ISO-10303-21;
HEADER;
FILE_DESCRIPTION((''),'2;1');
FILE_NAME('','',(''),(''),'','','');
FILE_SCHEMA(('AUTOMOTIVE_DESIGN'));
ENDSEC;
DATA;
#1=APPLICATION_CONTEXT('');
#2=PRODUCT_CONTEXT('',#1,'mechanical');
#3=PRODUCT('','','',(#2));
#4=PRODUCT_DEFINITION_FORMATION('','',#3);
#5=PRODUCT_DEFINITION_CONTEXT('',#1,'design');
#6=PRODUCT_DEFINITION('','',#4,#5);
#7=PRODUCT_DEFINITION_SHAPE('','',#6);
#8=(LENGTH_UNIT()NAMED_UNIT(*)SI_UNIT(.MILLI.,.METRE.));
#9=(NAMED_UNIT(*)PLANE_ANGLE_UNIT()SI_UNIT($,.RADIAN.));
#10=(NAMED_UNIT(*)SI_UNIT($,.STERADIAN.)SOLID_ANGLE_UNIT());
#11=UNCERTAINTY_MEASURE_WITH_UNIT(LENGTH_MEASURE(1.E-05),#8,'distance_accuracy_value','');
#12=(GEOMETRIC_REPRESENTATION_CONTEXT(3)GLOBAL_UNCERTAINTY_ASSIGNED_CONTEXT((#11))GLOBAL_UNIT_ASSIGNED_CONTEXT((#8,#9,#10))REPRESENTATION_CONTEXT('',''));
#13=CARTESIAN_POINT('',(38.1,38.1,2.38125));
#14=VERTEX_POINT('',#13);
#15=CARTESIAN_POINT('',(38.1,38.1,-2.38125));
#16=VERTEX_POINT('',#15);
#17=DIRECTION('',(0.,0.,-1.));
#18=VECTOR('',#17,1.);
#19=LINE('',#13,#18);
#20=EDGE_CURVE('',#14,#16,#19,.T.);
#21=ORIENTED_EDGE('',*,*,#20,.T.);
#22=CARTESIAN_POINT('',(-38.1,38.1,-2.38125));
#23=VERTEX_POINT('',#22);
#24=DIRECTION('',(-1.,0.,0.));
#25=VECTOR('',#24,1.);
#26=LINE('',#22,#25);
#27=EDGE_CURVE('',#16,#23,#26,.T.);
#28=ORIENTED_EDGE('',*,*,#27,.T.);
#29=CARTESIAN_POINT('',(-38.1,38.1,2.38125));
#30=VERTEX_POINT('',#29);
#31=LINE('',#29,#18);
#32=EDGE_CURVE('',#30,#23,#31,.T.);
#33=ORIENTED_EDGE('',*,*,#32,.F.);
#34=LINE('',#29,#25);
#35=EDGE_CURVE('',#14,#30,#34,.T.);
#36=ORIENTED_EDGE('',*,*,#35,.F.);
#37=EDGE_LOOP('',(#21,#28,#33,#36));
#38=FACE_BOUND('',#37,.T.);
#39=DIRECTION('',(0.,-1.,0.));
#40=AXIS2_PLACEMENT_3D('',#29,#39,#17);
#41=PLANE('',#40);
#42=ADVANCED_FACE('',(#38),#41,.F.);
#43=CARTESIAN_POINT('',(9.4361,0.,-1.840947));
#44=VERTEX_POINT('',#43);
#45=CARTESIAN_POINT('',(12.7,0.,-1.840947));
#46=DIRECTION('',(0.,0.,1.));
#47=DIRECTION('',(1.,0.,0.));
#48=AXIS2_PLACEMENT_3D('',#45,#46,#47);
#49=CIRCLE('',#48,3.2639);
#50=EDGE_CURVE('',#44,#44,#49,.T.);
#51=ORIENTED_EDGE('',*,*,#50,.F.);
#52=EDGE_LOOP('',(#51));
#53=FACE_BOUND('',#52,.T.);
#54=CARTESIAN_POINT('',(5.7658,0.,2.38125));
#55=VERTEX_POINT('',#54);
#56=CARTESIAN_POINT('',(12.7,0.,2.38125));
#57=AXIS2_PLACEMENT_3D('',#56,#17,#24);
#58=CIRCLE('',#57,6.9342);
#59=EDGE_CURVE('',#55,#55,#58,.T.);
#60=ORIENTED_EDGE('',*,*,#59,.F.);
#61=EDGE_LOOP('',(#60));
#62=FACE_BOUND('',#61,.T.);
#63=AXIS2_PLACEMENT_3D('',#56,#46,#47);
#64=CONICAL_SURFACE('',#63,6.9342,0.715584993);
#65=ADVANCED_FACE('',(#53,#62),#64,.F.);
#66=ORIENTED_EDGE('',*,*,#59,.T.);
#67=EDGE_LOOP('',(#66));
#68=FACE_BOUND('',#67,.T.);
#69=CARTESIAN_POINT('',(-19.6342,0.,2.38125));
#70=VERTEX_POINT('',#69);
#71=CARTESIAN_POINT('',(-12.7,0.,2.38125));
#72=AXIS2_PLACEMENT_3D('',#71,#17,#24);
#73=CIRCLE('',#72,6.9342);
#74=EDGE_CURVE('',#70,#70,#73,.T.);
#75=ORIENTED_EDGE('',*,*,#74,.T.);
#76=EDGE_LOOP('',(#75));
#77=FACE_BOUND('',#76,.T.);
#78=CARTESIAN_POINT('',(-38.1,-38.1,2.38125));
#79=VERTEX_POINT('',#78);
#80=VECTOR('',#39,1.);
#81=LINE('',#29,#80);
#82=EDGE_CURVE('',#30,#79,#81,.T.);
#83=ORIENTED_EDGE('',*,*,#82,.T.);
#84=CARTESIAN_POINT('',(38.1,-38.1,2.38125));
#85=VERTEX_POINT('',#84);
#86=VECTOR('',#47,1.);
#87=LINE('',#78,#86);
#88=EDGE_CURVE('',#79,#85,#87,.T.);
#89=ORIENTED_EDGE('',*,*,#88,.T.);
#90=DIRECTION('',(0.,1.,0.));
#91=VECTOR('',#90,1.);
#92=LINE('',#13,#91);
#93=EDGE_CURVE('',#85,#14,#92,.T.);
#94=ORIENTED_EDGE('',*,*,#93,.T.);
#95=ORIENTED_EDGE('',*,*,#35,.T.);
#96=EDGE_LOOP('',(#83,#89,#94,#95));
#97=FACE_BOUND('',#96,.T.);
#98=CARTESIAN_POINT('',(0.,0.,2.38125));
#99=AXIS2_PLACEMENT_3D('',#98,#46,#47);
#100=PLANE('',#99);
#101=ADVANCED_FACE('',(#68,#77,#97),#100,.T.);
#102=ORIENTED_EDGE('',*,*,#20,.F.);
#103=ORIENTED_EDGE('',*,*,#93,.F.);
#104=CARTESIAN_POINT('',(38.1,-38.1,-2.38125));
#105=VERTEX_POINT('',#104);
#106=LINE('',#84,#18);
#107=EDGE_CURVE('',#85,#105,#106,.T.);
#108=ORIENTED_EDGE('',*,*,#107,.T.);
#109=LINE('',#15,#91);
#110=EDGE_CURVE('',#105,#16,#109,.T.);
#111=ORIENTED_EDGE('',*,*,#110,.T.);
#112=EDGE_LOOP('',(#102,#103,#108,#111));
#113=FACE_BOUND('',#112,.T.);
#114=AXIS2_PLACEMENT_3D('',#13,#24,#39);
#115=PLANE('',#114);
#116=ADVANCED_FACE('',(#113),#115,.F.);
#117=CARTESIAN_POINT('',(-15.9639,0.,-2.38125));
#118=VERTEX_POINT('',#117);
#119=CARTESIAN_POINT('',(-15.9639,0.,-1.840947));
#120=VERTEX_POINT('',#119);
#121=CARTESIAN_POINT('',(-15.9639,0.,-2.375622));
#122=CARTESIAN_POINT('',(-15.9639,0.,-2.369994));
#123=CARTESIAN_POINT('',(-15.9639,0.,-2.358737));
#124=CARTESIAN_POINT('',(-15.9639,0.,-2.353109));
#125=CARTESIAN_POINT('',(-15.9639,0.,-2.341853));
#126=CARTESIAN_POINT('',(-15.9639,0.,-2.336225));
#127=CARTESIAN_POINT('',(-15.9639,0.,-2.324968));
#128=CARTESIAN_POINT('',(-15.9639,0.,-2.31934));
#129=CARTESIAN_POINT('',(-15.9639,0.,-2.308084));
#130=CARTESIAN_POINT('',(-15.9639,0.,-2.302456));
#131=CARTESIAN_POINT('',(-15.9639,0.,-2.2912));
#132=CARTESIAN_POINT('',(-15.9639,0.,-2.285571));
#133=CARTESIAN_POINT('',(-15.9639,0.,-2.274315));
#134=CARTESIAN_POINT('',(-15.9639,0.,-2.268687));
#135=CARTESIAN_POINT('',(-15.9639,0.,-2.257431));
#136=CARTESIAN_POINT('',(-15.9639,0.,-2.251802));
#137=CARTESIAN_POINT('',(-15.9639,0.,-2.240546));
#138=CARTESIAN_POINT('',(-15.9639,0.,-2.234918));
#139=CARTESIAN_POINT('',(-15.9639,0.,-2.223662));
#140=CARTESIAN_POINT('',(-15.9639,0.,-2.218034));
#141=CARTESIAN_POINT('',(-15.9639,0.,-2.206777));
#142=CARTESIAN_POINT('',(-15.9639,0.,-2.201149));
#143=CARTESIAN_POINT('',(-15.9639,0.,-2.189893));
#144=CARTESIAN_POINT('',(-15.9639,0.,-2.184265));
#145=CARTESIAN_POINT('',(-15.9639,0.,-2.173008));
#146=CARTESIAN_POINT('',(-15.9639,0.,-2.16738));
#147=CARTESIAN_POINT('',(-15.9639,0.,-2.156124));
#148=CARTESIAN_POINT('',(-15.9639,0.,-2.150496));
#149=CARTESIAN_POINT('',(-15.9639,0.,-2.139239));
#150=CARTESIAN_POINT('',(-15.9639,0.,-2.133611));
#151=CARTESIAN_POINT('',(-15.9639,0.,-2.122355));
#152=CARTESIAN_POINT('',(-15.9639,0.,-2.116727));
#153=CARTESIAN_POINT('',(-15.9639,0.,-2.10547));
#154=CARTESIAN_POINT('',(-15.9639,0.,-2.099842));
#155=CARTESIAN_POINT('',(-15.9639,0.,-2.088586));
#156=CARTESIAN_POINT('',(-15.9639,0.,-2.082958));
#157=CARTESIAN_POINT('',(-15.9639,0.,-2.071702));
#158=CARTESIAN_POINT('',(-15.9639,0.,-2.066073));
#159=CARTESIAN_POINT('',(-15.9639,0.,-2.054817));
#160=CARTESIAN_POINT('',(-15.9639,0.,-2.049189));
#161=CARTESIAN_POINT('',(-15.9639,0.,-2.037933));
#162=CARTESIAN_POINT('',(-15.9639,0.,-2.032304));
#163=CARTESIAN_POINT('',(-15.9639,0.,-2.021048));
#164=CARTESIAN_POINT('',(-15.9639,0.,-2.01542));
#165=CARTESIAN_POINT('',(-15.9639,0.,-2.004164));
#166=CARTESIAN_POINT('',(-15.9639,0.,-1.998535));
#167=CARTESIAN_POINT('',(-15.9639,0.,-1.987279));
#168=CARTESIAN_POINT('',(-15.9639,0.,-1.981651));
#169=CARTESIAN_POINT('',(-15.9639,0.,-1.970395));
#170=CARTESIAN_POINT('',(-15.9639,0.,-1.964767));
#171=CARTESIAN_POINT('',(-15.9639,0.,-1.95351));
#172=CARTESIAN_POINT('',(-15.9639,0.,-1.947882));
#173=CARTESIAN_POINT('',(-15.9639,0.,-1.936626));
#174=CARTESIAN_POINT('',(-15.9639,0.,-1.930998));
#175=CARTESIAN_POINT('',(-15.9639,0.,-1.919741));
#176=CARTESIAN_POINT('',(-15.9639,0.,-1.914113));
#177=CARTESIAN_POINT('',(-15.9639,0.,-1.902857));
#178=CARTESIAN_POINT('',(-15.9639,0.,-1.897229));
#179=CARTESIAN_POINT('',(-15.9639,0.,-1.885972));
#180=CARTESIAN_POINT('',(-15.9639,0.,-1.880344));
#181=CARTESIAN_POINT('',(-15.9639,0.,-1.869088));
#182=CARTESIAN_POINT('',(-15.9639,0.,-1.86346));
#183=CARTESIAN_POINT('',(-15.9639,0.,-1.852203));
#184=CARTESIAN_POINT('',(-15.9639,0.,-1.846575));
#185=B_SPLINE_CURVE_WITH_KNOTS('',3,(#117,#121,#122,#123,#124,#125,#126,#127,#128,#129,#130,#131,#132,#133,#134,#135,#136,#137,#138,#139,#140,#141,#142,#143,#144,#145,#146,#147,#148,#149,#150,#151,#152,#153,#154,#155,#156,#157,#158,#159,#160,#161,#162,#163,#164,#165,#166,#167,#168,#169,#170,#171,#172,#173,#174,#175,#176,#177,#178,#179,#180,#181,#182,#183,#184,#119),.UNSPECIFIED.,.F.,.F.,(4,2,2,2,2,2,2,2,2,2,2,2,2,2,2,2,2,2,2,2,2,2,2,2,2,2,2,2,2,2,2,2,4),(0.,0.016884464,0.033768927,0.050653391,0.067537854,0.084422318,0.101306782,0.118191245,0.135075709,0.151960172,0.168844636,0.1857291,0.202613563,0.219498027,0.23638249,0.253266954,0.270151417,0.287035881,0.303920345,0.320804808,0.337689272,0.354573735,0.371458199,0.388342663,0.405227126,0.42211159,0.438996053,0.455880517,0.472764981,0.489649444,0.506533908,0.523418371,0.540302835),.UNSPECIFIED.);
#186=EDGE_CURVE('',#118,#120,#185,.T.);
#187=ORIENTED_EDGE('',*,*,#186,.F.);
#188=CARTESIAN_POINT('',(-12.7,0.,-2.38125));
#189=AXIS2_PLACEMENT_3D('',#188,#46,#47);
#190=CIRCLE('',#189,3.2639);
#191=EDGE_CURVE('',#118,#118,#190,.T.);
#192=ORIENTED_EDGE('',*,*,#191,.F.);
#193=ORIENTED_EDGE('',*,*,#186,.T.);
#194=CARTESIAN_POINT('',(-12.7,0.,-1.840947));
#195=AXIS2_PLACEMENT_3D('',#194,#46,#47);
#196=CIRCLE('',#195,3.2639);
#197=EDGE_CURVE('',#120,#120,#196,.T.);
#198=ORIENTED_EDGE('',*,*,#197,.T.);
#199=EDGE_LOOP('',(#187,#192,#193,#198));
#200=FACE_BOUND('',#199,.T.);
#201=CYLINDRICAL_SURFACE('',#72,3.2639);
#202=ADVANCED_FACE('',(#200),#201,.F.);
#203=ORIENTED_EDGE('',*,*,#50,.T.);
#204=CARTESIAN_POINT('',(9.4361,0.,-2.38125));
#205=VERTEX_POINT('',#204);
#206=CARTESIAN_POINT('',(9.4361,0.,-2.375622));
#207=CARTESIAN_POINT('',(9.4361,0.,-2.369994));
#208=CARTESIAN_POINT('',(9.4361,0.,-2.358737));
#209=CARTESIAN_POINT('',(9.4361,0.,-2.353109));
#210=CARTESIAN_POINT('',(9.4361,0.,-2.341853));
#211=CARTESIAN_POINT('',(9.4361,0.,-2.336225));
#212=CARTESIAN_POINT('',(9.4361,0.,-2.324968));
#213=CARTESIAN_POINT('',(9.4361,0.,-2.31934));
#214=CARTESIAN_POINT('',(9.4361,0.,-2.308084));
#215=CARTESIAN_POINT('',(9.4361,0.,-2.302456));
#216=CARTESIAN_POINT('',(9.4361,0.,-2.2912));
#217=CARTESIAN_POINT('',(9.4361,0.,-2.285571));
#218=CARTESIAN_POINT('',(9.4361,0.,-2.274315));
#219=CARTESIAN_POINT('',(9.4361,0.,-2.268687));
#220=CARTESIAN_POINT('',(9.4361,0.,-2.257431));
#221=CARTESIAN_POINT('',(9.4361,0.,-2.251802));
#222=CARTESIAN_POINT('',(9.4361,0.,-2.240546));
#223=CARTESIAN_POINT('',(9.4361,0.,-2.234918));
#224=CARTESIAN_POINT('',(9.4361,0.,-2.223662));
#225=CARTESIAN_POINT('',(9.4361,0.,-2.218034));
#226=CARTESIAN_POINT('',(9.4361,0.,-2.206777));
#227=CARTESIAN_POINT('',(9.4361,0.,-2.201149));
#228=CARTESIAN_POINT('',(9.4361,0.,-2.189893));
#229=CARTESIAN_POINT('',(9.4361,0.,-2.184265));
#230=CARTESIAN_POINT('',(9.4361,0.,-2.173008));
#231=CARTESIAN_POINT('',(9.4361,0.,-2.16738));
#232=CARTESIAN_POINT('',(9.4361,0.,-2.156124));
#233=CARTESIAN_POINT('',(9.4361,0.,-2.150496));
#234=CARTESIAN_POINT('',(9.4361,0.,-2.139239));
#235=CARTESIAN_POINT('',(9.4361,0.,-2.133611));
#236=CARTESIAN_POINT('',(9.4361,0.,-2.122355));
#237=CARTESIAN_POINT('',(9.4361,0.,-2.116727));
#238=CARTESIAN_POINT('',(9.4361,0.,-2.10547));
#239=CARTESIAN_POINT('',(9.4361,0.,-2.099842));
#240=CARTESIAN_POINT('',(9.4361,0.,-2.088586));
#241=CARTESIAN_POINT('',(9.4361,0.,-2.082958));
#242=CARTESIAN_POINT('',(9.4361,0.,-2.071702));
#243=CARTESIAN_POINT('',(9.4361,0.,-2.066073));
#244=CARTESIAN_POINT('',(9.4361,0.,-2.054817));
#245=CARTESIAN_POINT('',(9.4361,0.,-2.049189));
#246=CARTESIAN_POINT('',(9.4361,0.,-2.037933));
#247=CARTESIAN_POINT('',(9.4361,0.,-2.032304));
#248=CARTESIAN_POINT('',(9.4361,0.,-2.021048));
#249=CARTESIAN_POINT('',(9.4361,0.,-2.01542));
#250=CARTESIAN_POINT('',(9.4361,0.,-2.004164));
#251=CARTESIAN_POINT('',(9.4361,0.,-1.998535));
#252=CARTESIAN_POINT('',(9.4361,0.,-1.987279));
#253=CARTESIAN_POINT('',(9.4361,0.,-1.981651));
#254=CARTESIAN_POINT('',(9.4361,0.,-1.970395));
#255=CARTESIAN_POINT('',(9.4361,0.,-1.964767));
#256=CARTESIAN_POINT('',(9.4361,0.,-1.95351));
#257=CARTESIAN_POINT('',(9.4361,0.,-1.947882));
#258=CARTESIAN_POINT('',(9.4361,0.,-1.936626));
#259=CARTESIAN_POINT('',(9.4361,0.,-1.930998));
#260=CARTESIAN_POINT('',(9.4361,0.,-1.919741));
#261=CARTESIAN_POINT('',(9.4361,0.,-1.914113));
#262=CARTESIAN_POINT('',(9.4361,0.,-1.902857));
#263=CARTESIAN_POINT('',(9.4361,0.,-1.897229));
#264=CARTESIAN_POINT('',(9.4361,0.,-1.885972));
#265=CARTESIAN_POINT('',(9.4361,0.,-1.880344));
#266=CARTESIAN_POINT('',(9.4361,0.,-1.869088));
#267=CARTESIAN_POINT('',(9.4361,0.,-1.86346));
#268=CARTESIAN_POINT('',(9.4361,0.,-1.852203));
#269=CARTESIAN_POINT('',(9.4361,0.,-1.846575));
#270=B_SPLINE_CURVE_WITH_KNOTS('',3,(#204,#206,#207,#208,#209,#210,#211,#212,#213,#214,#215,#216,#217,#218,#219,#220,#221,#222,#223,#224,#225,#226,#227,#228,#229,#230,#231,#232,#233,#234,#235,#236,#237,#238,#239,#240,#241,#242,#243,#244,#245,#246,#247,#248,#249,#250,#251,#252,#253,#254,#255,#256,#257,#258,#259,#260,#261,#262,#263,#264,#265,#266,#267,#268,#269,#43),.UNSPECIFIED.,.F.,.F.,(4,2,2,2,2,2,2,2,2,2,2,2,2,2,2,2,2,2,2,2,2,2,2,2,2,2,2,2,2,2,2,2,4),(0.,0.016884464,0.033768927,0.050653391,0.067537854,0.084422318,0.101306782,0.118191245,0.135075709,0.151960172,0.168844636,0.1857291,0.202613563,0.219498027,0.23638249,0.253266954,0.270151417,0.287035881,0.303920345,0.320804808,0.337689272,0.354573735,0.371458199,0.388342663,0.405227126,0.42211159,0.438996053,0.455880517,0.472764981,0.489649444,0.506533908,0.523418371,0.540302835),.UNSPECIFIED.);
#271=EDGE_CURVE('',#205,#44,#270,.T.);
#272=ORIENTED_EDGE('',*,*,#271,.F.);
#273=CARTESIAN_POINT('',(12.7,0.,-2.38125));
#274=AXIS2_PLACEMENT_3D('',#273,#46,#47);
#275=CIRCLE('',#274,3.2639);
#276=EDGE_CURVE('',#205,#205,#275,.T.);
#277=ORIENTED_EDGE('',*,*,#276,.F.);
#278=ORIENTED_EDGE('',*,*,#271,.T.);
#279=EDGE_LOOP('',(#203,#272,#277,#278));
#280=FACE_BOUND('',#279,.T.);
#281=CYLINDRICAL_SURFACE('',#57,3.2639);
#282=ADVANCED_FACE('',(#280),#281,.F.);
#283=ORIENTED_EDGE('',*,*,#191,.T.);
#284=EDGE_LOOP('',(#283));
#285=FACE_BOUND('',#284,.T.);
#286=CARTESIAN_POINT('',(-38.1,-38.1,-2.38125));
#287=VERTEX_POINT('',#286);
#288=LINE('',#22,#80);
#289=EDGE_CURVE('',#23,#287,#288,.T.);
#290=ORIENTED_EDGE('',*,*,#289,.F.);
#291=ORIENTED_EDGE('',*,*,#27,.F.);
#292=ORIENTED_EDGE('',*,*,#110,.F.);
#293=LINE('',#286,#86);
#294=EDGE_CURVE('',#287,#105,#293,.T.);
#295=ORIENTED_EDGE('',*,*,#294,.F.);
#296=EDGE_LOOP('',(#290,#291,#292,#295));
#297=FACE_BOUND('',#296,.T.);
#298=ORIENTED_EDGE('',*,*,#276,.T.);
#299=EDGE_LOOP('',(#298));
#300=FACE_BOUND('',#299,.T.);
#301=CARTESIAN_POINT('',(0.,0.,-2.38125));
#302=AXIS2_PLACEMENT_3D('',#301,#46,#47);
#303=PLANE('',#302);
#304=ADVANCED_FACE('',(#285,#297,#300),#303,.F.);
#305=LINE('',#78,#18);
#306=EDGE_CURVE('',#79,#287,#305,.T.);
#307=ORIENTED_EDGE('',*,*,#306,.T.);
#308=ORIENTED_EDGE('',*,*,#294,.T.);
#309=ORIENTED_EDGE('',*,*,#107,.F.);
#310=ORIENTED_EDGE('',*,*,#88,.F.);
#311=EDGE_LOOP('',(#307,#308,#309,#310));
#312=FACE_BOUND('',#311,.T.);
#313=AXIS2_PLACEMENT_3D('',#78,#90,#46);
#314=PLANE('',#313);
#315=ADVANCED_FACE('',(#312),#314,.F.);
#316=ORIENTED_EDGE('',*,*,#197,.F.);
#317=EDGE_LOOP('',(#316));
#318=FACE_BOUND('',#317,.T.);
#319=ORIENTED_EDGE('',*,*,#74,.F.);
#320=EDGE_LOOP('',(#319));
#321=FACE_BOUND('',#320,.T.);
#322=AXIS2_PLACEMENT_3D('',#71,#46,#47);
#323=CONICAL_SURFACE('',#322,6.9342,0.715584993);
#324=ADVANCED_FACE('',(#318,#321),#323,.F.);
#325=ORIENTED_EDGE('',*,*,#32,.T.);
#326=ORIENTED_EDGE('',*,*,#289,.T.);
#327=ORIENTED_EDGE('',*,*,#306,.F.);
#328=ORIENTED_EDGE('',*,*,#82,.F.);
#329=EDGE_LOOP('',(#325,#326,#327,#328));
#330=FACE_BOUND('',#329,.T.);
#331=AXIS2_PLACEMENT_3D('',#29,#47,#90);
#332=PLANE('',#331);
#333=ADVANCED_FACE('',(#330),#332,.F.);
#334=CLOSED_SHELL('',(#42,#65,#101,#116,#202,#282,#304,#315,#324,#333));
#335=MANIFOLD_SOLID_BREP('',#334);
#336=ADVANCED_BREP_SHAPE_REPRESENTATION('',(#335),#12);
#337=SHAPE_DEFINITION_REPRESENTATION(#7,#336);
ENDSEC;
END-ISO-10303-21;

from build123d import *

# Parameters (mm, degrees)
SKETCH1_W           = 76.2
SKETCH1_H           = 76.2
SKETCH1_R           = 3.2639
BOSS_EXTRUDE1_DEPTH = 2.38125


with BuildPart() as part:
    # Sketch1 → Boss-Extrude1 (new, symmetric)
    with BuildSketch(Plane.XY):
        Rectangle(SKETCH1_W, SKETCH1_H)
        with Locations(Location((-12.7, 0, 0), (0, 0, 180))):
            Circle(SKETCH1_R, mode=Mode.SUBTRACT)
        with Locations(Location((12.7, 0, 0), (0, 0, 180))):
            Circle(SKETCH1_R, mode=Mode.SUBTRACT)
    extrude(amount=BOSS_EXTRUDE1_DEPTH, both=True)

    # Sketch2 → Cut-Revolve1 (revolve, cut)
    with BuildSketch(Plane(origin=(0, 0, 0), x_dir=(1, 0, 0), z_dir=(0, 1, 0)), mode=Mode.PRIVATE) as cut_revolve1_sk:
        Polygon((-5.7658, -2.38125), (-12.7, 5.595634609), (-12.7, -2.38125), align=None)
    cut_revolve1 = revolve(cut_revolve1_sk.sketch.rotate(Axis((-12.7, 0, -5.595634609), (0, 0, 1)), 180), axis=Axis((-12.7, 0, -5.595634609), (0, 0, 1)), mode=Mode.SUBTRACT)

    # Sketch-Pattern1: Cut-Revolve1 at 1 more place
    with Locations((25.4, 0, 0)):
        add(cut_revolve1, mode=Mode.SUBTRACT)


solid = part.part
